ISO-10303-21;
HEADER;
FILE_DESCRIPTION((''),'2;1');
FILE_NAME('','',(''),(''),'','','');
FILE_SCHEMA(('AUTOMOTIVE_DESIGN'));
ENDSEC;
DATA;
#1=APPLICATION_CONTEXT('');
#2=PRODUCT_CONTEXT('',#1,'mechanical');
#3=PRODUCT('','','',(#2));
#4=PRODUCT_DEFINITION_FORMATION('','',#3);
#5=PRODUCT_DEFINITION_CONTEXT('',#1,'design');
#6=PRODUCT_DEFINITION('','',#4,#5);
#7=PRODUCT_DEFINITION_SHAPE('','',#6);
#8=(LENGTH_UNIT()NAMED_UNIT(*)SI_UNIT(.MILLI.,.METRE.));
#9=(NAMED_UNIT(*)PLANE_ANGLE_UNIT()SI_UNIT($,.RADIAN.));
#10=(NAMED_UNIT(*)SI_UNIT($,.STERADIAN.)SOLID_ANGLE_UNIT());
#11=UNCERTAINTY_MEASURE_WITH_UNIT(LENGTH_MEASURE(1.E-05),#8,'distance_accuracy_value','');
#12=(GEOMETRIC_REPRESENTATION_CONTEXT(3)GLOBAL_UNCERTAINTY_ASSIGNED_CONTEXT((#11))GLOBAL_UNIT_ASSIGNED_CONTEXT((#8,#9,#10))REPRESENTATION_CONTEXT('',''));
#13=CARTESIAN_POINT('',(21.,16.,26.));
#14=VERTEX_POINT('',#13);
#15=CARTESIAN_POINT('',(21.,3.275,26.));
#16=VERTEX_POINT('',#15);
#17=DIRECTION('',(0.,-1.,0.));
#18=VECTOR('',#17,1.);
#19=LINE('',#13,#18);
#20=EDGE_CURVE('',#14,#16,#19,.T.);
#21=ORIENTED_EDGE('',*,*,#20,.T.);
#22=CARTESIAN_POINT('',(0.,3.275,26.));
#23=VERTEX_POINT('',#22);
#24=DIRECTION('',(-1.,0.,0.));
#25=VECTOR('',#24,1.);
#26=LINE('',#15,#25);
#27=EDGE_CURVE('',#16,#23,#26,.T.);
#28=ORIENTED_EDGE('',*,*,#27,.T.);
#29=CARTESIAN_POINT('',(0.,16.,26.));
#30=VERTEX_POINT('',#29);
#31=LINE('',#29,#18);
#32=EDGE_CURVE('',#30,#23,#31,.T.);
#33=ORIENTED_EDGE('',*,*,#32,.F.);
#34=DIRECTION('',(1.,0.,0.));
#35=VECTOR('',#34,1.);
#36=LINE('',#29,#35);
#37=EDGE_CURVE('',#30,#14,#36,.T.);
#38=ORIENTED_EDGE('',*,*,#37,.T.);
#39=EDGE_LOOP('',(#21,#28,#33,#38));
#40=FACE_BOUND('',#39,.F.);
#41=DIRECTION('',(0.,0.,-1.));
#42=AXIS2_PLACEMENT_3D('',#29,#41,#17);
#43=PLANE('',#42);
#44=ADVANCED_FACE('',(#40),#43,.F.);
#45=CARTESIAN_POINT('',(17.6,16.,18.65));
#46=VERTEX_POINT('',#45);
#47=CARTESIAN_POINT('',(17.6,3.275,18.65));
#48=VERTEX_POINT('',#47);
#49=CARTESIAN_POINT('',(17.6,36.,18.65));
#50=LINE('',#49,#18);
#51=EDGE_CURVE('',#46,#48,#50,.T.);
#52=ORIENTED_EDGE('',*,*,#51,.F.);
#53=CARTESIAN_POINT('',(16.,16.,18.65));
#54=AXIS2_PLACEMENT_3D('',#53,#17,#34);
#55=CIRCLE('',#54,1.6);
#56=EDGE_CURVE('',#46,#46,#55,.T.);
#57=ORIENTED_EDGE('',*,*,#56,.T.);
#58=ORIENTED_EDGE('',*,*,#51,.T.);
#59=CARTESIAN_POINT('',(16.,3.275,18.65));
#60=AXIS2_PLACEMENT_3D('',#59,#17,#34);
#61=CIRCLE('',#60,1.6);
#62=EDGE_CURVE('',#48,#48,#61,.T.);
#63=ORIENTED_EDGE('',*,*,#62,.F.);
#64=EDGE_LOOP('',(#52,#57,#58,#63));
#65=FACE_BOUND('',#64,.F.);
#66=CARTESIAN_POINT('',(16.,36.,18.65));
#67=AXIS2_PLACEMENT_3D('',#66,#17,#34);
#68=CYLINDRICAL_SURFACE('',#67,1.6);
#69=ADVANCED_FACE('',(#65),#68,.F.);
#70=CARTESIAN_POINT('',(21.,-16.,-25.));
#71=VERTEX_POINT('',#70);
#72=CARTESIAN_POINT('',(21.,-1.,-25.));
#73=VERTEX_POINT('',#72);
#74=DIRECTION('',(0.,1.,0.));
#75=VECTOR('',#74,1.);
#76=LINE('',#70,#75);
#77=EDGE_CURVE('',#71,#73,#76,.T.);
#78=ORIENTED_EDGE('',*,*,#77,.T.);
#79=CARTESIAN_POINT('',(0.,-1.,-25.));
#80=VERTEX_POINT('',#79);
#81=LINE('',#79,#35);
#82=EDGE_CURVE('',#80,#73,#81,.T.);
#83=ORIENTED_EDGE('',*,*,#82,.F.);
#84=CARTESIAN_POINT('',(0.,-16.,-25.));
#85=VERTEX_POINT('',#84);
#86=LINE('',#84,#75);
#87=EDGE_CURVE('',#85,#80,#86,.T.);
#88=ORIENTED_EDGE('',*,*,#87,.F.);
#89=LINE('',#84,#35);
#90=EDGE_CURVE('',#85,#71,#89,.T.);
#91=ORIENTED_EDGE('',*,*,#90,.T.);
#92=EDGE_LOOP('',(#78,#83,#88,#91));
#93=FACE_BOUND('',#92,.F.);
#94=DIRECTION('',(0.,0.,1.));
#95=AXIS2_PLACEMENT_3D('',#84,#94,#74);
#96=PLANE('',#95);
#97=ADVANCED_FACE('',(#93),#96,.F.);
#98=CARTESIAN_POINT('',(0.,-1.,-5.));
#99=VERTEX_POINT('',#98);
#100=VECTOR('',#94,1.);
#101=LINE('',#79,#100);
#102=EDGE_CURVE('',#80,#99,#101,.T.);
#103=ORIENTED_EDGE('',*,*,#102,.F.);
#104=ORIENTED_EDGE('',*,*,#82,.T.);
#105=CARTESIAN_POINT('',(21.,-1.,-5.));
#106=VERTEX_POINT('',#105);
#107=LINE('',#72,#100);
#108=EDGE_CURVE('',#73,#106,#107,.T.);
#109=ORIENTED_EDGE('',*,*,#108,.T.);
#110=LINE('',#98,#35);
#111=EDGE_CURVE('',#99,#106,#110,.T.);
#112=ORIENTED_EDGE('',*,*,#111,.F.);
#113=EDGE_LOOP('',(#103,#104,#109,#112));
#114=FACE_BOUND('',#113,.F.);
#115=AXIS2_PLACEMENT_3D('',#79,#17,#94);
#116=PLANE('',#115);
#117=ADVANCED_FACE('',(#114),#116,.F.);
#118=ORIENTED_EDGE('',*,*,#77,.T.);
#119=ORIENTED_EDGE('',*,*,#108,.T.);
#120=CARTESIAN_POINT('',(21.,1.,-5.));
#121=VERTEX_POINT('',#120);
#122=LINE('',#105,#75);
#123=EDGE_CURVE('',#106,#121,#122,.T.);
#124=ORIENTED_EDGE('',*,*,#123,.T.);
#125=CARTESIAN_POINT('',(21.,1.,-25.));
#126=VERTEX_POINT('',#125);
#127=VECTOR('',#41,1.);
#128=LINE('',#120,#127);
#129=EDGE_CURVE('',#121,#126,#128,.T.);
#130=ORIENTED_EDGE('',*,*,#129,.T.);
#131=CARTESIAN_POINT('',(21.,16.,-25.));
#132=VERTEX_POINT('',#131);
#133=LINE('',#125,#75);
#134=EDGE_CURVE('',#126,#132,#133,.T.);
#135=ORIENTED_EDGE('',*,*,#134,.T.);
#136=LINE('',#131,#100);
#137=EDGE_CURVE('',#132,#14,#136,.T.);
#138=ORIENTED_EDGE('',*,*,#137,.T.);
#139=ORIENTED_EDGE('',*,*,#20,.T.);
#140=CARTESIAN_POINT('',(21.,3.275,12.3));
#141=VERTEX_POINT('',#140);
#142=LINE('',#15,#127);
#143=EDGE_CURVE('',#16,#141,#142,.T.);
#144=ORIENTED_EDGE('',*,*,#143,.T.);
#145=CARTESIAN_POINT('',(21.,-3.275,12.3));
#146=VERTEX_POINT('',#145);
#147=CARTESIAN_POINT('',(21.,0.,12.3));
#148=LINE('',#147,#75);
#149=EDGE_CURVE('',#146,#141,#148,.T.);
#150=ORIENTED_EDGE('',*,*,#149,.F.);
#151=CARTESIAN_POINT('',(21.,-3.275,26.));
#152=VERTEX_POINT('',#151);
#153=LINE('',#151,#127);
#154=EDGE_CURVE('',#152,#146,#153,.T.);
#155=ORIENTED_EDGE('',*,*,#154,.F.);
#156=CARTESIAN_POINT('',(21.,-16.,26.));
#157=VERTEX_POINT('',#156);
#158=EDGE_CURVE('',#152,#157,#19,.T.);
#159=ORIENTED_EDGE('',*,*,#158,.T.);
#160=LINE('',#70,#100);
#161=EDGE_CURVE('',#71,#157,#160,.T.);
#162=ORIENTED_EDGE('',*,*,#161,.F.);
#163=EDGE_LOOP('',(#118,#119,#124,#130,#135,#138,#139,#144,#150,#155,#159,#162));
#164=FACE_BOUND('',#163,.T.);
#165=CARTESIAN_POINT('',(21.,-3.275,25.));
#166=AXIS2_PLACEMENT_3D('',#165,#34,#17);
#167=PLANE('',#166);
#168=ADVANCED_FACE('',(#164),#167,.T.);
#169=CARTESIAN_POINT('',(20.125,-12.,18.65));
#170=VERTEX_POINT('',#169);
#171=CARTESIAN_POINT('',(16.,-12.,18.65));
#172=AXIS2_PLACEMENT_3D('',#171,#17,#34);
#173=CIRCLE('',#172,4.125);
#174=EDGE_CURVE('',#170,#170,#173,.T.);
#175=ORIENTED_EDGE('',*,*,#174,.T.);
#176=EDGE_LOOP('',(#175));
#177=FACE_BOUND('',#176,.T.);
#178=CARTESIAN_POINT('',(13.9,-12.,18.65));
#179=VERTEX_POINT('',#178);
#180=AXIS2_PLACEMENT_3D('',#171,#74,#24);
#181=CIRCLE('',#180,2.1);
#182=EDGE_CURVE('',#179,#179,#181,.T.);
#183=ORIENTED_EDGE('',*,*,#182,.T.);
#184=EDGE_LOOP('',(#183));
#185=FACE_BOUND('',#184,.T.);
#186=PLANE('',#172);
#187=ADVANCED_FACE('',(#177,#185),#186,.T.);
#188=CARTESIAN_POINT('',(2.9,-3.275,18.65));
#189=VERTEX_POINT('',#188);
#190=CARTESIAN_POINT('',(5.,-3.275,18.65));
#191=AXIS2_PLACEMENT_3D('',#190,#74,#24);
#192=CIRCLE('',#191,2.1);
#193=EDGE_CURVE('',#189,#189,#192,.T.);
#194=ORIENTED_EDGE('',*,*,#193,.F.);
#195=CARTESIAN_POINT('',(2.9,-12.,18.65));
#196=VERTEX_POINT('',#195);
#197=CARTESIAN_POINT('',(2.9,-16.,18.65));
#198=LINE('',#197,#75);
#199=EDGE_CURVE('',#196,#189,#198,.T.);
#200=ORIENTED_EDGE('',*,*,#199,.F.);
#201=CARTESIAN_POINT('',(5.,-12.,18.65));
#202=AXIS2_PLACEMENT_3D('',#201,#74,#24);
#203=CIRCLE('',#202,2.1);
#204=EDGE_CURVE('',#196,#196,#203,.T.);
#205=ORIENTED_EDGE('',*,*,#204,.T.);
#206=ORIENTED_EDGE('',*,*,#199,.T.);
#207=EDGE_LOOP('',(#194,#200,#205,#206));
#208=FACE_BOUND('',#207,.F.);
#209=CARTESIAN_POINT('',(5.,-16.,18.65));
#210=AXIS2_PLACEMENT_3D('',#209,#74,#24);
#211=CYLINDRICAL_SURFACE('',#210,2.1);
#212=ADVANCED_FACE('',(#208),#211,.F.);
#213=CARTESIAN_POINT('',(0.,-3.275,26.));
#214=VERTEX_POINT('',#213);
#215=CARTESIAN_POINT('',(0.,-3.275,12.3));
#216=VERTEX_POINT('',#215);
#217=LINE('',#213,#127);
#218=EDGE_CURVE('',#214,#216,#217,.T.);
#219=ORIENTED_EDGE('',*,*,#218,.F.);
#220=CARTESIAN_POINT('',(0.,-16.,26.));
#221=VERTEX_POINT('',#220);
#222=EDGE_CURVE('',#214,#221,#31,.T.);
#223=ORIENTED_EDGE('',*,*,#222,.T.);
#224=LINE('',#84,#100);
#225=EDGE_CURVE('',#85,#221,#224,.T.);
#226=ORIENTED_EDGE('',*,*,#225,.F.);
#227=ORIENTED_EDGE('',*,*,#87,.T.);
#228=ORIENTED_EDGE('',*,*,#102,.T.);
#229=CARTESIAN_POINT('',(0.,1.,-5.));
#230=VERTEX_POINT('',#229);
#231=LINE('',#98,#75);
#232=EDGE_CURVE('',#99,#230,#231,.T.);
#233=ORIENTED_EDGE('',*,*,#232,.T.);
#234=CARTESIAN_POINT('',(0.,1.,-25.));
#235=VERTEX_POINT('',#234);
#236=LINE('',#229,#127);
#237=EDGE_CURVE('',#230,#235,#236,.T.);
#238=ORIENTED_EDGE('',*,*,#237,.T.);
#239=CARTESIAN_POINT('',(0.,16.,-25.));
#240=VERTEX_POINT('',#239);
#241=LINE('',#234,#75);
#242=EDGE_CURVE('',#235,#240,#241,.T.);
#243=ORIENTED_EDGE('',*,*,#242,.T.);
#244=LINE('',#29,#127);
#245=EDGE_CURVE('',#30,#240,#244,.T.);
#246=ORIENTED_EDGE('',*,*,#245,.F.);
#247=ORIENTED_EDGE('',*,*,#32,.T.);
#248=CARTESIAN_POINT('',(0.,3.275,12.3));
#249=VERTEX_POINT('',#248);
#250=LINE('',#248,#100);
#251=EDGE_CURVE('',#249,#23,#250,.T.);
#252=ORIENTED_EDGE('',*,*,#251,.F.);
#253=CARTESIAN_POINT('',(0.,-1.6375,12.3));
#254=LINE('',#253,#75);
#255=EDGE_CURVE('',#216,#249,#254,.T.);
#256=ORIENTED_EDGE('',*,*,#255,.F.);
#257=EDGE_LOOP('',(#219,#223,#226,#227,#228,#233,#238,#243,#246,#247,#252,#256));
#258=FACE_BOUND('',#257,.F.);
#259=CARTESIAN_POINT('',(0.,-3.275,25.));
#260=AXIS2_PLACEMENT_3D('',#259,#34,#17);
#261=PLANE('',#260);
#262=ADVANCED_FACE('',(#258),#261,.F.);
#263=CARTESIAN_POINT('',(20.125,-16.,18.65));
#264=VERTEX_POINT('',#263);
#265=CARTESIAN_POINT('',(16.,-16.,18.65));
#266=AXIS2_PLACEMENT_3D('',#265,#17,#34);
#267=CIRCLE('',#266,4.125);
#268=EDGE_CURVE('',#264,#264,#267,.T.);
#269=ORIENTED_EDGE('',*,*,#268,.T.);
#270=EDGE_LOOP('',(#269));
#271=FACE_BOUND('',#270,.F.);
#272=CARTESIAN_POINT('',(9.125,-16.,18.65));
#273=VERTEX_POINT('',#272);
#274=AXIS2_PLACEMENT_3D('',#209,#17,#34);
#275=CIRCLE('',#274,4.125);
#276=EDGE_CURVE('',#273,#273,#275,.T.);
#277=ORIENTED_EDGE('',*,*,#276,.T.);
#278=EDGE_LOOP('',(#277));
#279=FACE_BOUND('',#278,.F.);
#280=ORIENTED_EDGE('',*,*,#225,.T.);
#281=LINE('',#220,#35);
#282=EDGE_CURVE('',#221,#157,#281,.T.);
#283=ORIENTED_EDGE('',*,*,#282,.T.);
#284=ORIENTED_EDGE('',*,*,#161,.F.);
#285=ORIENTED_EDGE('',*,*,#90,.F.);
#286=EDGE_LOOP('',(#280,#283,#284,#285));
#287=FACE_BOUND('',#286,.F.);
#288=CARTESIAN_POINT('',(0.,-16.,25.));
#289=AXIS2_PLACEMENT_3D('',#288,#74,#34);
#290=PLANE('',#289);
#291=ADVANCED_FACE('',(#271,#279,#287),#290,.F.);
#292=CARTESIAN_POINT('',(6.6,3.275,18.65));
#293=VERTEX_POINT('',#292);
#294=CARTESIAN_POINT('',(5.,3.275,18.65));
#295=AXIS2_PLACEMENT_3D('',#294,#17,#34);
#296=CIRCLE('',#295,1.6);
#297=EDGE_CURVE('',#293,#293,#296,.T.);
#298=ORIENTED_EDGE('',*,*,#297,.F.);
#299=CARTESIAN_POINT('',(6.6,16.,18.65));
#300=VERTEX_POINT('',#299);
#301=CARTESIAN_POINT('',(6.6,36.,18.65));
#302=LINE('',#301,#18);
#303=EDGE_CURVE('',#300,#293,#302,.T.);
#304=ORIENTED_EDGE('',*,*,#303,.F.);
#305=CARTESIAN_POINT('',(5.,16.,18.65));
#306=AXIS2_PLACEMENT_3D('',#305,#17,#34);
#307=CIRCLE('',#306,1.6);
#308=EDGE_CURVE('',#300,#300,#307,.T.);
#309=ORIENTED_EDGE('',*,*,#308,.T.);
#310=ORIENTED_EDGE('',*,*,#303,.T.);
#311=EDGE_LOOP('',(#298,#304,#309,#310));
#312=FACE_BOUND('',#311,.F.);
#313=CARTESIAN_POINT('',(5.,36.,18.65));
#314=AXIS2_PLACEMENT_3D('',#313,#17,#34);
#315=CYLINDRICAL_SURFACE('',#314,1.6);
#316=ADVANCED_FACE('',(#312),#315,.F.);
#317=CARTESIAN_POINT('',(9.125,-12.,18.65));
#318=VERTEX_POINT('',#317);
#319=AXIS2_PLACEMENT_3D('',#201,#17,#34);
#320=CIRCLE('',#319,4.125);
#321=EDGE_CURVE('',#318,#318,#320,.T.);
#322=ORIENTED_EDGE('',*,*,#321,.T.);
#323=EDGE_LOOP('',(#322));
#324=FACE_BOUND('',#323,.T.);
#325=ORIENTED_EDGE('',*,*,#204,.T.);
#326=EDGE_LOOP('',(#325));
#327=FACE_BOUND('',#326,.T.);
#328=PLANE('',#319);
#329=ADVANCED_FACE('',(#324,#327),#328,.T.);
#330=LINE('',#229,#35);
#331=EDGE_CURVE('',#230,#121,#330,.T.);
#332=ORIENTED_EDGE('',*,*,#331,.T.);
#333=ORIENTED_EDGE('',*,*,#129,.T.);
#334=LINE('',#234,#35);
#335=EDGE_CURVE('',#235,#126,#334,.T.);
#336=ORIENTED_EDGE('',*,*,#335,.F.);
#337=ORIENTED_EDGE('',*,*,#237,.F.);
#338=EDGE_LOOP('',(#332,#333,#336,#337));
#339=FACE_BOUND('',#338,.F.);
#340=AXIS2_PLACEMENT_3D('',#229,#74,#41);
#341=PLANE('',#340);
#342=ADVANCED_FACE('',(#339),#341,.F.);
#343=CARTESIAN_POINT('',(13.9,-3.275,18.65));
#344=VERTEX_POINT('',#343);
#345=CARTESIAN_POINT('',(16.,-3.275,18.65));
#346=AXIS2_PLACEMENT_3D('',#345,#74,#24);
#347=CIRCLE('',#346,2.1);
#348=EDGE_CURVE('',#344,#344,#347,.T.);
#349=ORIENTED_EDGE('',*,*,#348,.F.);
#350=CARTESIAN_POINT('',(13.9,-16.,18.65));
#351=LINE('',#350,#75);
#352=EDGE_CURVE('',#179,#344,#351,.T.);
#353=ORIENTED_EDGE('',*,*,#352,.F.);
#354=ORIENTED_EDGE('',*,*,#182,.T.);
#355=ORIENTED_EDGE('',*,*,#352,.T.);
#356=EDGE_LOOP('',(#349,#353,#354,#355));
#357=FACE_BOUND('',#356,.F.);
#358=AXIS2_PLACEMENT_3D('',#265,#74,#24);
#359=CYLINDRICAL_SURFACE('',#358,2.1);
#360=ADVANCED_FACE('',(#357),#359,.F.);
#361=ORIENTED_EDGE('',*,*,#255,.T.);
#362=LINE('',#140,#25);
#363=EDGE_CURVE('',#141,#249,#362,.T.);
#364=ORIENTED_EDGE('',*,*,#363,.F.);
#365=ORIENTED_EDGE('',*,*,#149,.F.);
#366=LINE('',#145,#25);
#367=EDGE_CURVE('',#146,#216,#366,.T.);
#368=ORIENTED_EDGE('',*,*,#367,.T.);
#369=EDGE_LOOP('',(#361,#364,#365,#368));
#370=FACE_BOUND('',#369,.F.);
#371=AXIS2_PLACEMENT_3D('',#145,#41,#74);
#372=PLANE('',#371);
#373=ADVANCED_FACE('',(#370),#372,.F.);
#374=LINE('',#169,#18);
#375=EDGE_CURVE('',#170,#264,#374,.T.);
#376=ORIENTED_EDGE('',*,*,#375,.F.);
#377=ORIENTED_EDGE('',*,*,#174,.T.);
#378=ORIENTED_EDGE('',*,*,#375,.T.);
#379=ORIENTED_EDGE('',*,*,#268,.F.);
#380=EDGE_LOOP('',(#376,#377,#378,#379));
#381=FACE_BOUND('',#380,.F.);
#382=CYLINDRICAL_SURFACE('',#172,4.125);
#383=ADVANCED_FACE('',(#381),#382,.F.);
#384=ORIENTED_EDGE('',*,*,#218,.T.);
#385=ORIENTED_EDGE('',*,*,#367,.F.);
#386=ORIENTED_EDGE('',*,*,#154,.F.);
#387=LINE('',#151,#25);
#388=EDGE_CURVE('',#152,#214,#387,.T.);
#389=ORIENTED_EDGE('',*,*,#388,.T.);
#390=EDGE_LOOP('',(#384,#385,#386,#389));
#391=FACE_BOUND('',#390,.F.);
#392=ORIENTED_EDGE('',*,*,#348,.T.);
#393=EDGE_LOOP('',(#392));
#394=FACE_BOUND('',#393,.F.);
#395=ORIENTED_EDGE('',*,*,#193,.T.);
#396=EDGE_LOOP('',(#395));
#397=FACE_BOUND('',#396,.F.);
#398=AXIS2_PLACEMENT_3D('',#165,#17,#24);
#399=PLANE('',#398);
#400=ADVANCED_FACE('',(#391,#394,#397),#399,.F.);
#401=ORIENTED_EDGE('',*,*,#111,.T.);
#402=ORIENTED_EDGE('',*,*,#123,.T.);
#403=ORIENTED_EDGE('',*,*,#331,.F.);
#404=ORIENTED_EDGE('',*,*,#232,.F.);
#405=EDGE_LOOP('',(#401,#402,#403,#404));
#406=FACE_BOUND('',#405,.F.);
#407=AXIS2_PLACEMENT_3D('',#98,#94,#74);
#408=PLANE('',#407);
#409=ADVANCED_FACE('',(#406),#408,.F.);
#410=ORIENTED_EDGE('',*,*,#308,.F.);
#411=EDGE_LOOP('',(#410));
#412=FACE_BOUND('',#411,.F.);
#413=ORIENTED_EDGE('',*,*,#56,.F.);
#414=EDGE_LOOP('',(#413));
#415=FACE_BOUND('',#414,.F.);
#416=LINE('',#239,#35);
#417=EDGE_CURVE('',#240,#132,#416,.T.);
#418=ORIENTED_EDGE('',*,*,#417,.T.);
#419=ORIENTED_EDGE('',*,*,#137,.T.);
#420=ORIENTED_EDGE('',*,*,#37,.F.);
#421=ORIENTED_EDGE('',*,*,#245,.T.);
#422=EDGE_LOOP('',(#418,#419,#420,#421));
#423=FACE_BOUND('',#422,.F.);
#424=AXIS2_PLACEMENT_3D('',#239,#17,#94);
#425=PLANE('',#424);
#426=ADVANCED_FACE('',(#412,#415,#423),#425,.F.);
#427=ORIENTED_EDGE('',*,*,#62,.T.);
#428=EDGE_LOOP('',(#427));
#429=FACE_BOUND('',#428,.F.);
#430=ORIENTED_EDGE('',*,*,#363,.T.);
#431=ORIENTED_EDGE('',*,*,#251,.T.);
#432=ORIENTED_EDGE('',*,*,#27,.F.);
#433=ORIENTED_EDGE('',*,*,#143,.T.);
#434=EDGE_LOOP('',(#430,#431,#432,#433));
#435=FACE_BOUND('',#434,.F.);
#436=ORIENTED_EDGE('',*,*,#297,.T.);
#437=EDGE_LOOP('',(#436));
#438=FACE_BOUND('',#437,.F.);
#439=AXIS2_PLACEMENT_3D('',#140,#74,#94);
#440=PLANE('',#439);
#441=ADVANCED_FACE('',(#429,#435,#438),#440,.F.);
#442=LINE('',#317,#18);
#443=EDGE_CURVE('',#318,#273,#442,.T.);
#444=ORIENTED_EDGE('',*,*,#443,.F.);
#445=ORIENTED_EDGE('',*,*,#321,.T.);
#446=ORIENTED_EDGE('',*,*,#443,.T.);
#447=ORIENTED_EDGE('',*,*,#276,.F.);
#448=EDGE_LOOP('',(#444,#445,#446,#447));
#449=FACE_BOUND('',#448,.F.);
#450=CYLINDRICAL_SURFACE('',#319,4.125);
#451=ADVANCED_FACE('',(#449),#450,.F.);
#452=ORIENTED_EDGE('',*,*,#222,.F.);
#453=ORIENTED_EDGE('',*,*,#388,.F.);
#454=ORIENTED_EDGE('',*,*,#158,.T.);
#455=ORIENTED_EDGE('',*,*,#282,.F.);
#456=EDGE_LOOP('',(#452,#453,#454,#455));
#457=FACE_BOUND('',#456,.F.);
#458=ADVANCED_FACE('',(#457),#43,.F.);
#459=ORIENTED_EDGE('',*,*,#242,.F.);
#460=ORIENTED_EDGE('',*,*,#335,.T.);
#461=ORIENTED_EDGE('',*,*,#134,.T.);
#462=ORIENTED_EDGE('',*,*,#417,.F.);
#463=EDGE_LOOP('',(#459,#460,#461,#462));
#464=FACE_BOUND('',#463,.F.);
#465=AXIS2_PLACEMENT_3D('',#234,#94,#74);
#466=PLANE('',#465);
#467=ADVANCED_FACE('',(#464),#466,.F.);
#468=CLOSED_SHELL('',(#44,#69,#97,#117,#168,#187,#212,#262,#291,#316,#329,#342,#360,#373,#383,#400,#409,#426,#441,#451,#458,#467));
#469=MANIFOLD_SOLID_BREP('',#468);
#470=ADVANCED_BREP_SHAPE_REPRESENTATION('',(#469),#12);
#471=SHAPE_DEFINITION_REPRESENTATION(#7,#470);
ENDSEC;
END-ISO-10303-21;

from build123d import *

# Parameters (mm, degrees)
F1_DEPTH       = 21
F3_W           = 6.55
F3_H           = 12.7
F4_DEPTH       = 21.001
F5_D           = 4.2
F5_DEPTH       = 14
F5_CBORE_D     = 8.25
F5_CBORE_DEPTH = 4
F5_TIP         = 1.2618073
F7_D           = 3.2
F7_DEPTH       = 20
F7_TIP         = 0.9613769904
F8_DEPTH       = 1


with BuildPart() as f1:
    # F0 (on Right) → F1 (new body)
    with BuildSketch(Plane.YZ):
        Polygon((-16, 25), (-16, -25), (-1, -25), (-1, -5), (1, -5), (1, -25), (16, -25), (16, 25), align=None)
    extrude(amount=F1_DEPTH)

    # F3 (on face) → F4 (cut, through all)
    with BuildSketch(Plane.YZ.offset(21)):
        with Locations((0, 18.65)):
            Rectangle(F3_W, F3_H)
    extrude(amount=-F4_DEPTH, mode=Mode.SUBTRACT)

    # F5
    with Locations(Plane.XZ.offset(16)):
        with Locations((5, 18.65), (16, 18.65)):
            CounterBoreHole(F5_D / 2, F5_CBORE_D / 2, F5_CBORE_DEPTH, depth=F5_DEPTH)
            with Locations((0, 0, -(F5_DEPTH + F5_TIP / 2))):  # 118° drill point
                Cone(0, F5_D / 2, F5_TIP, mode=Mode.SUBTRACT)

    # F7
    with Locations(Plane(origin=(0, 16, 0), x_dir=(-1, 0, 0), z_dir=(0, 1, 0))):
        with Locations((-16, 18.65), (-5, 18.65)):
            Hole(F7_D / 2, depth=F7_DEPTH)
            with Locations((0, 0, -(F7_DEPTH + F7_TIP / 2))):  # 118° drill point
                Cone(0, F7_D / 2, F7_TIP, mode=Mode.SUBTRACT)

    # F8 (add): faces of the model
    f8_faces = [f1.faces().sort_by_distance(p)[0] for p in [
        (10.5, -9.6375, 25),
        (10.5, 9.6375, 25),
    ]]
    extrude(f8_faces, amount=F8_DEPTH)


solid = f1.part
